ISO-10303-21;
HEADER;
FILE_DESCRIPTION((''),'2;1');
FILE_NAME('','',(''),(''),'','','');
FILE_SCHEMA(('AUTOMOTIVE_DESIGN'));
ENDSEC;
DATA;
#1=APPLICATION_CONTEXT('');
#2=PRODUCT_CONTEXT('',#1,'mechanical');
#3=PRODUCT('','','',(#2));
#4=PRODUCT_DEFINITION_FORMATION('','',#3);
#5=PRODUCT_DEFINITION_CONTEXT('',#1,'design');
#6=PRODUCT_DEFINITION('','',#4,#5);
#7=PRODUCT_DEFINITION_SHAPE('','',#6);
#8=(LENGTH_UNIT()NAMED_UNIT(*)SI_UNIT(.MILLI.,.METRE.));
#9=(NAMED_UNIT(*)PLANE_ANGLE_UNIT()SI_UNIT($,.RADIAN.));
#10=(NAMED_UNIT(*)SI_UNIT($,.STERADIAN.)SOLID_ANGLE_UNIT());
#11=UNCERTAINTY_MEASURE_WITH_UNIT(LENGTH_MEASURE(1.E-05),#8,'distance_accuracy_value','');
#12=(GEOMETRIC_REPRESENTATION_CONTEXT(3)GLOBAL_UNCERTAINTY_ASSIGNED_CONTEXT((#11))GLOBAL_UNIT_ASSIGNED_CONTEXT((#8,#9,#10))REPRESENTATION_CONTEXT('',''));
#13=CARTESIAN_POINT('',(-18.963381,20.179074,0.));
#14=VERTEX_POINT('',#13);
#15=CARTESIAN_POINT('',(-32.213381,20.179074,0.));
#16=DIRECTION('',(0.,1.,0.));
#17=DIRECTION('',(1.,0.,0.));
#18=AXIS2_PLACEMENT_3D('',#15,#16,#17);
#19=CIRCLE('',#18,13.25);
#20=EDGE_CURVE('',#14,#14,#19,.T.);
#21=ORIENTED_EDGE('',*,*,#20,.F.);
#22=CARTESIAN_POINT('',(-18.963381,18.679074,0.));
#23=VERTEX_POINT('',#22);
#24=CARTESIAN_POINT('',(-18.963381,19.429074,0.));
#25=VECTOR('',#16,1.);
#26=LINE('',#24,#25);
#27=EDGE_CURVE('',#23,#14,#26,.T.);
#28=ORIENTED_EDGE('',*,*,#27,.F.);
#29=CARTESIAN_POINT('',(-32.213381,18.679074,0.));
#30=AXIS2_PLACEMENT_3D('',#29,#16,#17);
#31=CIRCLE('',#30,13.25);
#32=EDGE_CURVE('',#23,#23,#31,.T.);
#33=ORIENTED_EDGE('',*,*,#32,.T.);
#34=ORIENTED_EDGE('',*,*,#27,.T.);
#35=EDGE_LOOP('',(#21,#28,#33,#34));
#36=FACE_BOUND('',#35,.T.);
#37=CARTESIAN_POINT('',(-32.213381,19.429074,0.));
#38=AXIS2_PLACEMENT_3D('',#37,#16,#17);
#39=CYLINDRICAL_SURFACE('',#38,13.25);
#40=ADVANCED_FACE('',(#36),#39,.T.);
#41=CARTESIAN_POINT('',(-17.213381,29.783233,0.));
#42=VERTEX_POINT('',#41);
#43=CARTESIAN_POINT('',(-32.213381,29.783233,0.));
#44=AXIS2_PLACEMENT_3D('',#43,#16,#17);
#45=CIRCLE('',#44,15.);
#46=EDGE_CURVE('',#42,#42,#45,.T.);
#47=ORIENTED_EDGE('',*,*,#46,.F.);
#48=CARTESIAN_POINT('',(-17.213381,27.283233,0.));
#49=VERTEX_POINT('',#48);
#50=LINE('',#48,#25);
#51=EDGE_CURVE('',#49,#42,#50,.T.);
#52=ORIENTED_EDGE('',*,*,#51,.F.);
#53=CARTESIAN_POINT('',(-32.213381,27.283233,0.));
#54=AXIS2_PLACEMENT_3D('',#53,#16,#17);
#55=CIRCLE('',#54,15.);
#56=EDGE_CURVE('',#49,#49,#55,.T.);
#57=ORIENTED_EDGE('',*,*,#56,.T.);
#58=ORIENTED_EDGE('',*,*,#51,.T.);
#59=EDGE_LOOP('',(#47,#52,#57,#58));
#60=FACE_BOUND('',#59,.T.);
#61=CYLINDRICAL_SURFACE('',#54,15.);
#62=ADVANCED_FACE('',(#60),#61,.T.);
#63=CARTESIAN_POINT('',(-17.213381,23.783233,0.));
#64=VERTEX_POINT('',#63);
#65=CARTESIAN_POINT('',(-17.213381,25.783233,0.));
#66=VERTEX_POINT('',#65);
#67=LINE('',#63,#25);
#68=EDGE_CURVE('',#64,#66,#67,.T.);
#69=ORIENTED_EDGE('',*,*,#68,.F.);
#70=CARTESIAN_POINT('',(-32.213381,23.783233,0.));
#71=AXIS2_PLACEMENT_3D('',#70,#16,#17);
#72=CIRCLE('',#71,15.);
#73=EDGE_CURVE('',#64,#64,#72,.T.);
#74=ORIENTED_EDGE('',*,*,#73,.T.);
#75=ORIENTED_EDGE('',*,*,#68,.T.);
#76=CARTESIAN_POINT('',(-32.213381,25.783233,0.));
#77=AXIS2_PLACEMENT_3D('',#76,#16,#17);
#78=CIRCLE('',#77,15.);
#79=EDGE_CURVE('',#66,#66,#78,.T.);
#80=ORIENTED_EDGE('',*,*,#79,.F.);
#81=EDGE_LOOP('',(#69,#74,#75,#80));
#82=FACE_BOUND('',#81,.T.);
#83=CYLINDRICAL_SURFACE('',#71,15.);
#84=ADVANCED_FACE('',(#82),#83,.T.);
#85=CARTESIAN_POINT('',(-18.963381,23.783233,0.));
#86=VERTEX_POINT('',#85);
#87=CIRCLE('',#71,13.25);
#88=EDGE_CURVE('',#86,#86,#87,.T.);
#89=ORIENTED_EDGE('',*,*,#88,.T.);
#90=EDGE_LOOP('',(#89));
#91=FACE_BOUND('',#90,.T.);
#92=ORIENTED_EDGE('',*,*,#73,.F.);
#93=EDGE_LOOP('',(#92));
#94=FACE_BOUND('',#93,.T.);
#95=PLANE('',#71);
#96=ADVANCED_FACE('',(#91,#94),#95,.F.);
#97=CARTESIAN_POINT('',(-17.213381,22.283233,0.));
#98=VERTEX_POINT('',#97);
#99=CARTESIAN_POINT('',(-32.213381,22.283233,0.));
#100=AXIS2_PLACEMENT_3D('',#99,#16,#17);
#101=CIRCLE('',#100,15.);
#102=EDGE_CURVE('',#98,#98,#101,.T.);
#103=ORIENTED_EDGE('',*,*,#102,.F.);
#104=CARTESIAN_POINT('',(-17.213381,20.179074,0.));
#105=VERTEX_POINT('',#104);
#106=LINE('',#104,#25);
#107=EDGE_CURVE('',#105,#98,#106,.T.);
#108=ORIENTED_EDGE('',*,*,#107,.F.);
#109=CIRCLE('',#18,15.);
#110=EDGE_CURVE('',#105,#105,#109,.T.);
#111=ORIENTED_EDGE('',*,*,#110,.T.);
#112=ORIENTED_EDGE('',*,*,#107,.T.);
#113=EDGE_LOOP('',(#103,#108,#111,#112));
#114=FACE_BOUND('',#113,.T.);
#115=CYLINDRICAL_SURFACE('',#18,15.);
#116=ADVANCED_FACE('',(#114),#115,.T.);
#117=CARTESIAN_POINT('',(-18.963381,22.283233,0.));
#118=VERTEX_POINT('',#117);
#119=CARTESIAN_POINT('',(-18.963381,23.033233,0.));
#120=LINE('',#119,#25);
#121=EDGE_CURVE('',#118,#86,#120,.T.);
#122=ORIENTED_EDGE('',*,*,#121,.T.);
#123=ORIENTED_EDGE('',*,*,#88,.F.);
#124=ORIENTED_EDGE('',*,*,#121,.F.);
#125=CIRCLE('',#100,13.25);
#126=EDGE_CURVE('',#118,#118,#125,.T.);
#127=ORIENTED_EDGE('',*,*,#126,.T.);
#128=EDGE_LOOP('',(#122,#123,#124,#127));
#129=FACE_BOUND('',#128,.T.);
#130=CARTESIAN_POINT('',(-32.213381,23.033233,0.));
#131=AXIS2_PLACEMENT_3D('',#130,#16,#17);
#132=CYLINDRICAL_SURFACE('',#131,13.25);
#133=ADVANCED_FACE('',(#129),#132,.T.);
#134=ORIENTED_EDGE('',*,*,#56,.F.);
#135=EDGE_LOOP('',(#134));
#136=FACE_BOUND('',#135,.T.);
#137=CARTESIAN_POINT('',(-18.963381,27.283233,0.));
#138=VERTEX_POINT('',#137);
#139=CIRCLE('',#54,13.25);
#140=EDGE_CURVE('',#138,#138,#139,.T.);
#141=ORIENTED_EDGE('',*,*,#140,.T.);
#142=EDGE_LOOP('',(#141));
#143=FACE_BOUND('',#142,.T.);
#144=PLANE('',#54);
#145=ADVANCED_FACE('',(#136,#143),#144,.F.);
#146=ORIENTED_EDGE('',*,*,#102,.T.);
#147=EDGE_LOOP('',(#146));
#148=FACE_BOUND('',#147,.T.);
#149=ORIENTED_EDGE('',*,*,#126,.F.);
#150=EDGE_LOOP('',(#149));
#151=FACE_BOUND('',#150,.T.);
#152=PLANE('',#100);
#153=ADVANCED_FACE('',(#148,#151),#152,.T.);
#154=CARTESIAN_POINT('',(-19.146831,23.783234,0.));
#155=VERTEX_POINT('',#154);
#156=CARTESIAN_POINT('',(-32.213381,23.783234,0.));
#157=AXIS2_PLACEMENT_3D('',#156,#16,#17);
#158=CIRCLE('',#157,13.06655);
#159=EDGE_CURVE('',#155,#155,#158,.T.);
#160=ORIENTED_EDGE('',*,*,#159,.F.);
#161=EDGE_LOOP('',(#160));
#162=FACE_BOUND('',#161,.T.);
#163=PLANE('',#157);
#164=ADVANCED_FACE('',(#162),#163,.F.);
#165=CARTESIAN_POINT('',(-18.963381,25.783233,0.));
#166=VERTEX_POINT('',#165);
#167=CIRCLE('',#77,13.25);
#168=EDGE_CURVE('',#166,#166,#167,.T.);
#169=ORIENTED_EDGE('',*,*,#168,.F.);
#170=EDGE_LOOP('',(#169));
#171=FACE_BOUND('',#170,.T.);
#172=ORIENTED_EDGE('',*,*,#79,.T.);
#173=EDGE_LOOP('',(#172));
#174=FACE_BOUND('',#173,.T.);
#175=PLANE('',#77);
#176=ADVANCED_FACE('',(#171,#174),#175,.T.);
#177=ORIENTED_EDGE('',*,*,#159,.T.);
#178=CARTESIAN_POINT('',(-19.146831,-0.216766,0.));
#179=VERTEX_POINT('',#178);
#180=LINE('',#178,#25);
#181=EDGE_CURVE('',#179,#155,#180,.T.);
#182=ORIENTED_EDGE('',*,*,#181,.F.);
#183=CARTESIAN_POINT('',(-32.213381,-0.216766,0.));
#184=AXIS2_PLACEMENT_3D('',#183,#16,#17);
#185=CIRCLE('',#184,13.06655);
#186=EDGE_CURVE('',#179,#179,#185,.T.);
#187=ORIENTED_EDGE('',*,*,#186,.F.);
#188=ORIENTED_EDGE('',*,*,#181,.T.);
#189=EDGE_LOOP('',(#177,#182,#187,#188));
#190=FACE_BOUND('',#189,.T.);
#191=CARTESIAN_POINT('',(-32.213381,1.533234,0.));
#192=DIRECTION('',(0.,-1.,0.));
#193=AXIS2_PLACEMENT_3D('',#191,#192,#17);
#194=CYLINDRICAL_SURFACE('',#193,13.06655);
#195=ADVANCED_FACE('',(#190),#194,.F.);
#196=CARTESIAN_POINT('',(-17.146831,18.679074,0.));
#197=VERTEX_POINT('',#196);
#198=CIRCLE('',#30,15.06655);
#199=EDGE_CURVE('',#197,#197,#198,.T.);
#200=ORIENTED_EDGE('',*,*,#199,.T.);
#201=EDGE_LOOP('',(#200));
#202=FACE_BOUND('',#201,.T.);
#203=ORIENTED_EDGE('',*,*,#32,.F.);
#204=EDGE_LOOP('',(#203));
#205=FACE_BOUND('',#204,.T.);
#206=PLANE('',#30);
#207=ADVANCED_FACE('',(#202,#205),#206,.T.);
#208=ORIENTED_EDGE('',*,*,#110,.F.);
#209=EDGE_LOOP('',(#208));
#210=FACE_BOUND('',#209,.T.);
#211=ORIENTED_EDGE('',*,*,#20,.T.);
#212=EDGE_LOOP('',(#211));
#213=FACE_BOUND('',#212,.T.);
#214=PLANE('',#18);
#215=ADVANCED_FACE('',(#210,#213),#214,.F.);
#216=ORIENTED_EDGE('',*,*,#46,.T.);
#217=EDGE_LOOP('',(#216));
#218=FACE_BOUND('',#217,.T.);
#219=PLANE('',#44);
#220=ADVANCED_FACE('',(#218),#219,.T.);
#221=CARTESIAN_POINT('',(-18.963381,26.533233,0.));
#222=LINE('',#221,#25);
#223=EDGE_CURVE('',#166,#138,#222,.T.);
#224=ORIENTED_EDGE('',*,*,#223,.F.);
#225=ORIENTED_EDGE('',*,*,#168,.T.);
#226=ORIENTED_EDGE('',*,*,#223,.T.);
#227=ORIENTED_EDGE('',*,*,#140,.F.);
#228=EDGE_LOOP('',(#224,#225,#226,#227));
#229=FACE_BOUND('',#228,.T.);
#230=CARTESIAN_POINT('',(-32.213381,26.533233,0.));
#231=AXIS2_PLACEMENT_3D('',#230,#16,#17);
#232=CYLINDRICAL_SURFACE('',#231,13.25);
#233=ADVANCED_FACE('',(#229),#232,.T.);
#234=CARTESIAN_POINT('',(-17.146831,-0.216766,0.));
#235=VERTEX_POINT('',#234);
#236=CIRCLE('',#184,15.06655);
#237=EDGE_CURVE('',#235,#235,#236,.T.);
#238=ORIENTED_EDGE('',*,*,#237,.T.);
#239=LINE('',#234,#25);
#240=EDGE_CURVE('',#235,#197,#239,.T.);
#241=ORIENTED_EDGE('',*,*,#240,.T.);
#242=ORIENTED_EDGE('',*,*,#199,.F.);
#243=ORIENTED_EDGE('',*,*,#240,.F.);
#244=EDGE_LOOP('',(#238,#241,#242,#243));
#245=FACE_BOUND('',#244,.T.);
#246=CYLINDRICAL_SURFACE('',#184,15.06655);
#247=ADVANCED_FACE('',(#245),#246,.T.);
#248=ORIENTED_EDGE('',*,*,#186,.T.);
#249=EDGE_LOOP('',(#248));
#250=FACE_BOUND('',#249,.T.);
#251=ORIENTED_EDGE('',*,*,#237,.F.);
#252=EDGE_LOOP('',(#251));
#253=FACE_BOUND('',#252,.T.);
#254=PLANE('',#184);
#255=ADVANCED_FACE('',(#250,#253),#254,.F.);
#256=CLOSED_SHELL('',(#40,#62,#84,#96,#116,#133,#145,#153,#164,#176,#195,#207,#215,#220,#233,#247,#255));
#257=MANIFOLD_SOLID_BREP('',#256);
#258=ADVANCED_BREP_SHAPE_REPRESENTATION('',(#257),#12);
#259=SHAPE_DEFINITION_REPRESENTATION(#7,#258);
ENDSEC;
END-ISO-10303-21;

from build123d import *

# Parameters (mm, degrees)
F0_W     = 13.25
F0_H     = 1.5
F2_DEPTH = 22.25


with BuildPart() as f1:
    # F0 (on Top) → F1 (revolve)
    with BuildSketch(Plane.XY):
        Polygon((-17.1468311846, 9.3249371275), (-17.1468311846, 16.6790741712), (-20.6468311846, 16.6790741712), (-20.6468311846, 17.3790741712), (-21.6468311846, 17.3790741712), (-21.6468311846, 16.6790741712), (-25.8468311846, 16.6790741712), (-32.2133810192, 16.6790741712), (-32.2133810192, 9.1332341712), (-32.2133810192, 1.5332341712), (-19.1468311846, 1.5332341712), (-19.1468311846, -0.2167658288), (-17.1468311846, -0.2167658288), (-17.1468311846, 4.5190741712), align=None)
        Polygon((-17.1468311846, 18.6790741712), (-18.9633810192, 18.6790741712), (-32.2133810192, 18.6790741712), (-32.2133810192, 16.6790741712), (-25.8468311846, 16.6790741712), (-21.6468311846, 16.6790741712), (-21.6468311846, 17.3790741712), (-20.6468311846, 17.3790741712), (-20.6468311846, 16.6790741712), (-17.1468311846, 16.6790741712), align=None)
        Polygon((-17.2133810192, 20.1790741712), (-17.2133810192, 22.2832329303), (-18.9633810192, 22.2832329303), (-32.2133810192, 22.2832329303), (-32.2133810192, 20.1790741712), (-18.9633810192, 20.1790741712), align=None)
        with Locations((-25.5883810192, 19.4290741712)):
            Rectangle(F0_W, F0_H)
        with Locations((-25.5883810192, 23.0332329303)):
            Rectangle(F0_W, F0_H)
        Polygon((-32.2133810192, 23.7832329303), (-18.9633810192, 23.7832329303), (-17.2133810192, 23.7832329303), (-17.2133810192, 25.7832329303), (-18.9633810192, 25.7832329303), (-32.2133810192, 25.7832329303), align=None)
        with Locations((-25.5883810192, 26.5332329303)):
            Rectangle(F0_W, F0_H)
        Polygon((-32.2133810192, 29.7832329303), (-32.2133810192, 27.2832329303), (-18.9633810192, 27.2832329303), (-17.2133810192, 27.2832329303), (-17.2133810192, 29.7832329303), align=None)
    revolve(axis=Axis((-32.2133810192, 15.6582335507, 0), (0, 1, 0)))

    # F2 (cut): a face of the model
    f2_faces = [f1.faces().sort_by_distance(p)[0] for p in [
        (-32.2133810192, 1.5332341712, 0),
    ]]
    extrude(f2_faces, amount=-F2_DEPTH, mode=Mode.SUBTRACT)


solid = f1.part
